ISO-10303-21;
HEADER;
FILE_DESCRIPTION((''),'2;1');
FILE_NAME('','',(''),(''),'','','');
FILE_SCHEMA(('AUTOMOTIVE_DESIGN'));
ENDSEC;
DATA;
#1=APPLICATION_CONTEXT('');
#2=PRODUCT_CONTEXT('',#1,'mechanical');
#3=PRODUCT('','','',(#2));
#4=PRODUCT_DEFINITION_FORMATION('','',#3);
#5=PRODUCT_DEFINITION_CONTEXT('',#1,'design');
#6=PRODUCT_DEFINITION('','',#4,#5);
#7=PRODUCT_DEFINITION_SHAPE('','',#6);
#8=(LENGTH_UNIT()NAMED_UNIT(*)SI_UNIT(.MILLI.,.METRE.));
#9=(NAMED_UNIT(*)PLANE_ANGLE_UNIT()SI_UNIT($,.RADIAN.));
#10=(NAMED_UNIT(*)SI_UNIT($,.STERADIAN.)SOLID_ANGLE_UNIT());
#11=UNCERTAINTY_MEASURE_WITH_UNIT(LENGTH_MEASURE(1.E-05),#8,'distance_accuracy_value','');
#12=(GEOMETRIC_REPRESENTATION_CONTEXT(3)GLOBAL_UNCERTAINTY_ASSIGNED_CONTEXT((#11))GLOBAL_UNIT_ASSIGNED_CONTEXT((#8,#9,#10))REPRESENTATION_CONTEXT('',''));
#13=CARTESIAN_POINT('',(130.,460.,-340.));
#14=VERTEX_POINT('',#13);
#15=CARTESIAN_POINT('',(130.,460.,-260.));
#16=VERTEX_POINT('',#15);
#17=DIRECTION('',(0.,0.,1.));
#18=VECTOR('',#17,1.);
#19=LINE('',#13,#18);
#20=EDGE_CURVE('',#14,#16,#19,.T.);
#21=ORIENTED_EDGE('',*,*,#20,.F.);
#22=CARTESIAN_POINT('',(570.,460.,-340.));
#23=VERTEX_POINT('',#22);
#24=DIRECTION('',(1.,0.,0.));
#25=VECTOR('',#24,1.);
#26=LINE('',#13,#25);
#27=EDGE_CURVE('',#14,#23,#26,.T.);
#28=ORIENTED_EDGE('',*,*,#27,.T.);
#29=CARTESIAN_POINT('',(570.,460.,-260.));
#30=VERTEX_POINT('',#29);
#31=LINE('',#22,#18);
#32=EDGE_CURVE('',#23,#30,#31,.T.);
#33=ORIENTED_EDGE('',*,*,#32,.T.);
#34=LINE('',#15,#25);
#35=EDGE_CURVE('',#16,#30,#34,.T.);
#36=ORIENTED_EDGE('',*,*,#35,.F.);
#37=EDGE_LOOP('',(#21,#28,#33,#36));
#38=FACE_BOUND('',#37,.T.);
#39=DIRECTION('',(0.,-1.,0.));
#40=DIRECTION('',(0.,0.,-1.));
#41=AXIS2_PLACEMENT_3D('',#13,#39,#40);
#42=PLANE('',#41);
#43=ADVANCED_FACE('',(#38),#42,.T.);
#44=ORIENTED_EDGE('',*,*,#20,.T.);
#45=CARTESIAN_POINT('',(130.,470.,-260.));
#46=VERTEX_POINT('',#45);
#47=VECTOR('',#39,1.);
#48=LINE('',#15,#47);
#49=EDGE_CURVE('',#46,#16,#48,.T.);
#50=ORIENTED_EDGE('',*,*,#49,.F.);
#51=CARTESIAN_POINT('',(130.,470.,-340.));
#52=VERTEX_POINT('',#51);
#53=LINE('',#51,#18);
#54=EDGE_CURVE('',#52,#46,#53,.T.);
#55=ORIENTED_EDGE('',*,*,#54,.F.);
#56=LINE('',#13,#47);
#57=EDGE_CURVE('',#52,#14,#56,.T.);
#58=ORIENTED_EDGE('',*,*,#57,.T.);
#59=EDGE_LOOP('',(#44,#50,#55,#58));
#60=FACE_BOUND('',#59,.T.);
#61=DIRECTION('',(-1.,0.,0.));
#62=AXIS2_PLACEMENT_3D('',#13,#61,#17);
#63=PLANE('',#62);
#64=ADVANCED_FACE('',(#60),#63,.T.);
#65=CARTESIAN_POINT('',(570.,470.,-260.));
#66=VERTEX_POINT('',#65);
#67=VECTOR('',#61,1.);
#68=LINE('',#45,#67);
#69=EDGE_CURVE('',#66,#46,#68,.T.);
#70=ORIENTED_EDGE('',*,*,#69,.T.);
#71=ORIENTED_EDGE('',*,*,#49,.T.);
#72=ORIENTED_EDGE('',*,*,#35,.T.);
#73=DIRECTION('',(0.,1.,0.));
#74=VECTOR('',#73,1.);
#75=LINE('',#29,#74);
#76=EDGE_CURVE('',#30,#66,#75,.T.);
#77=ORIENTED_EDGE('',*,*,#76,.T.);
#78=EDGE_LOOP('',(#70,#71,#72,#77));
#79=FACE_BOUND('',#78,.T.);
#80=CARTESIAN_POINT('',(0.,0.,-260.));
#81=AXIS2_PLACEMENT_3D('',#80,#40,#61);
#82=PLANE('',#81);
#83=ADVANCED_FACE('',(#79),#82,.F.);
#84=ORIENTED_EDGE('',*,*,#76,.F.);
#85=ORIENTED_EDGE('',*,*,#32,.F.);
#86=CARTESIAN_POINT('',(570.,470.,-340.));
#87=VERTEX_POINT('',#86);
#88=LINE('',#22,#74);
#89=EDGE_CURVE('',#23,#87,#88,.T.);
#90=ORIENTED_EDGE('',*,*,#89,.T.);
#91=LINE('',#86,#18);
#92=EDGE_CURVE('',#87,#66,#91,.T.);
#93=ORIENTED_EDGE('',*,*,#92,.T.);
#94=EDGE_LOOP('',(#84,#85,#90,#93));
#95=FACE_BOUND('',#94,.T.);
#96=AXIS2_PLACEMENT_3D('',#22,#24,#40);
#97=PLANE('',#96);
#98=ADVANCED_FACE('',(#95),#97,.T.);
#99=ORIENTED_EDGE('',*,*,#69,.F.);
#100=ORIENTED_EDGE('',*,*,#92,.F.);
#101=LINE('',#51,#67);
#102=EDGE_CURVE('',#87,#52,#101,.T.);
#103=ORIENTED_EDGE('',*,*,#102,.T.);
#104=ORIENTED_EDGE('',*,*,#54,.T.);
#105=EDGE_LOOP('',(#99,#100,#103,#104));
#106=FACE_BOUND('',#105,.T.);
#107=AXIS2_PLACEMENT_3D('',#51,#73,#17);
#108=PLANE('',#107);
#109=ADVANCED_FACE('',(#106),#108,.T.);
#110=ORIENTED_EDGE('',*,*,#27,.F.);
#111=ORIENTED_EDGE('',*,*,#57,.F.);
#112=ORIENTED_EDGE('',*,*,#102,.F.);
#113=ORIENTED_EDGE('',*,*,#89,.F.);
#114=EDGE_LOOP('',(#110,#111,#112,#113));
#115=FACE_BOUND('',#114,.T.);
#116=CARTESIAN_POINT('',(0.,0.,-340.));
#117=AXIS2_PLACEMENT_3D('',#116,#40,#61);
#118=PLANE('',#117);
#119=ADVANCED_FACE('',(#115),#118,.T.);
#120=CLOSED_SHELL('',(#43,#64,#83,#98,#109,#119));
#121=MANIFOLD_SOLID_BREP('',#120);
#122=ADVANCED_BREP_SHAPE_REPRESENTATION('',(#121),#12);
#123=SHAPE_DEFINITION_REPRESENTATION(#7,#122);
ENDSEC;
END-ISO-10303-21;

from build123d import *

# Parameters (mm, degrees)
OVEN_KESME_KIZAK_PLAKASI_1_START = -260
SKETCH1_W                        = 440
SKETCH1_H                        = 10
OVEN_KESME_KIZAK_PLAKASI_1_DEPTH = 80


with BuildPart() as part:
    # Sketch1 → OVEN_kesme_kizak_plakasi_1 (new body)
    with BuildSketch(Plane.XY.offset(OVEN_KESME_KIZAK_PLAKASI_1_START)):
        with Locations((350, 465)):
            Rectangle(SKETCH1_W, SKETCH1_H)
    extrude(amount=-OVEN_KESME_KIZAK_PLAKASI_1_DEPTH)


solid = part.part
